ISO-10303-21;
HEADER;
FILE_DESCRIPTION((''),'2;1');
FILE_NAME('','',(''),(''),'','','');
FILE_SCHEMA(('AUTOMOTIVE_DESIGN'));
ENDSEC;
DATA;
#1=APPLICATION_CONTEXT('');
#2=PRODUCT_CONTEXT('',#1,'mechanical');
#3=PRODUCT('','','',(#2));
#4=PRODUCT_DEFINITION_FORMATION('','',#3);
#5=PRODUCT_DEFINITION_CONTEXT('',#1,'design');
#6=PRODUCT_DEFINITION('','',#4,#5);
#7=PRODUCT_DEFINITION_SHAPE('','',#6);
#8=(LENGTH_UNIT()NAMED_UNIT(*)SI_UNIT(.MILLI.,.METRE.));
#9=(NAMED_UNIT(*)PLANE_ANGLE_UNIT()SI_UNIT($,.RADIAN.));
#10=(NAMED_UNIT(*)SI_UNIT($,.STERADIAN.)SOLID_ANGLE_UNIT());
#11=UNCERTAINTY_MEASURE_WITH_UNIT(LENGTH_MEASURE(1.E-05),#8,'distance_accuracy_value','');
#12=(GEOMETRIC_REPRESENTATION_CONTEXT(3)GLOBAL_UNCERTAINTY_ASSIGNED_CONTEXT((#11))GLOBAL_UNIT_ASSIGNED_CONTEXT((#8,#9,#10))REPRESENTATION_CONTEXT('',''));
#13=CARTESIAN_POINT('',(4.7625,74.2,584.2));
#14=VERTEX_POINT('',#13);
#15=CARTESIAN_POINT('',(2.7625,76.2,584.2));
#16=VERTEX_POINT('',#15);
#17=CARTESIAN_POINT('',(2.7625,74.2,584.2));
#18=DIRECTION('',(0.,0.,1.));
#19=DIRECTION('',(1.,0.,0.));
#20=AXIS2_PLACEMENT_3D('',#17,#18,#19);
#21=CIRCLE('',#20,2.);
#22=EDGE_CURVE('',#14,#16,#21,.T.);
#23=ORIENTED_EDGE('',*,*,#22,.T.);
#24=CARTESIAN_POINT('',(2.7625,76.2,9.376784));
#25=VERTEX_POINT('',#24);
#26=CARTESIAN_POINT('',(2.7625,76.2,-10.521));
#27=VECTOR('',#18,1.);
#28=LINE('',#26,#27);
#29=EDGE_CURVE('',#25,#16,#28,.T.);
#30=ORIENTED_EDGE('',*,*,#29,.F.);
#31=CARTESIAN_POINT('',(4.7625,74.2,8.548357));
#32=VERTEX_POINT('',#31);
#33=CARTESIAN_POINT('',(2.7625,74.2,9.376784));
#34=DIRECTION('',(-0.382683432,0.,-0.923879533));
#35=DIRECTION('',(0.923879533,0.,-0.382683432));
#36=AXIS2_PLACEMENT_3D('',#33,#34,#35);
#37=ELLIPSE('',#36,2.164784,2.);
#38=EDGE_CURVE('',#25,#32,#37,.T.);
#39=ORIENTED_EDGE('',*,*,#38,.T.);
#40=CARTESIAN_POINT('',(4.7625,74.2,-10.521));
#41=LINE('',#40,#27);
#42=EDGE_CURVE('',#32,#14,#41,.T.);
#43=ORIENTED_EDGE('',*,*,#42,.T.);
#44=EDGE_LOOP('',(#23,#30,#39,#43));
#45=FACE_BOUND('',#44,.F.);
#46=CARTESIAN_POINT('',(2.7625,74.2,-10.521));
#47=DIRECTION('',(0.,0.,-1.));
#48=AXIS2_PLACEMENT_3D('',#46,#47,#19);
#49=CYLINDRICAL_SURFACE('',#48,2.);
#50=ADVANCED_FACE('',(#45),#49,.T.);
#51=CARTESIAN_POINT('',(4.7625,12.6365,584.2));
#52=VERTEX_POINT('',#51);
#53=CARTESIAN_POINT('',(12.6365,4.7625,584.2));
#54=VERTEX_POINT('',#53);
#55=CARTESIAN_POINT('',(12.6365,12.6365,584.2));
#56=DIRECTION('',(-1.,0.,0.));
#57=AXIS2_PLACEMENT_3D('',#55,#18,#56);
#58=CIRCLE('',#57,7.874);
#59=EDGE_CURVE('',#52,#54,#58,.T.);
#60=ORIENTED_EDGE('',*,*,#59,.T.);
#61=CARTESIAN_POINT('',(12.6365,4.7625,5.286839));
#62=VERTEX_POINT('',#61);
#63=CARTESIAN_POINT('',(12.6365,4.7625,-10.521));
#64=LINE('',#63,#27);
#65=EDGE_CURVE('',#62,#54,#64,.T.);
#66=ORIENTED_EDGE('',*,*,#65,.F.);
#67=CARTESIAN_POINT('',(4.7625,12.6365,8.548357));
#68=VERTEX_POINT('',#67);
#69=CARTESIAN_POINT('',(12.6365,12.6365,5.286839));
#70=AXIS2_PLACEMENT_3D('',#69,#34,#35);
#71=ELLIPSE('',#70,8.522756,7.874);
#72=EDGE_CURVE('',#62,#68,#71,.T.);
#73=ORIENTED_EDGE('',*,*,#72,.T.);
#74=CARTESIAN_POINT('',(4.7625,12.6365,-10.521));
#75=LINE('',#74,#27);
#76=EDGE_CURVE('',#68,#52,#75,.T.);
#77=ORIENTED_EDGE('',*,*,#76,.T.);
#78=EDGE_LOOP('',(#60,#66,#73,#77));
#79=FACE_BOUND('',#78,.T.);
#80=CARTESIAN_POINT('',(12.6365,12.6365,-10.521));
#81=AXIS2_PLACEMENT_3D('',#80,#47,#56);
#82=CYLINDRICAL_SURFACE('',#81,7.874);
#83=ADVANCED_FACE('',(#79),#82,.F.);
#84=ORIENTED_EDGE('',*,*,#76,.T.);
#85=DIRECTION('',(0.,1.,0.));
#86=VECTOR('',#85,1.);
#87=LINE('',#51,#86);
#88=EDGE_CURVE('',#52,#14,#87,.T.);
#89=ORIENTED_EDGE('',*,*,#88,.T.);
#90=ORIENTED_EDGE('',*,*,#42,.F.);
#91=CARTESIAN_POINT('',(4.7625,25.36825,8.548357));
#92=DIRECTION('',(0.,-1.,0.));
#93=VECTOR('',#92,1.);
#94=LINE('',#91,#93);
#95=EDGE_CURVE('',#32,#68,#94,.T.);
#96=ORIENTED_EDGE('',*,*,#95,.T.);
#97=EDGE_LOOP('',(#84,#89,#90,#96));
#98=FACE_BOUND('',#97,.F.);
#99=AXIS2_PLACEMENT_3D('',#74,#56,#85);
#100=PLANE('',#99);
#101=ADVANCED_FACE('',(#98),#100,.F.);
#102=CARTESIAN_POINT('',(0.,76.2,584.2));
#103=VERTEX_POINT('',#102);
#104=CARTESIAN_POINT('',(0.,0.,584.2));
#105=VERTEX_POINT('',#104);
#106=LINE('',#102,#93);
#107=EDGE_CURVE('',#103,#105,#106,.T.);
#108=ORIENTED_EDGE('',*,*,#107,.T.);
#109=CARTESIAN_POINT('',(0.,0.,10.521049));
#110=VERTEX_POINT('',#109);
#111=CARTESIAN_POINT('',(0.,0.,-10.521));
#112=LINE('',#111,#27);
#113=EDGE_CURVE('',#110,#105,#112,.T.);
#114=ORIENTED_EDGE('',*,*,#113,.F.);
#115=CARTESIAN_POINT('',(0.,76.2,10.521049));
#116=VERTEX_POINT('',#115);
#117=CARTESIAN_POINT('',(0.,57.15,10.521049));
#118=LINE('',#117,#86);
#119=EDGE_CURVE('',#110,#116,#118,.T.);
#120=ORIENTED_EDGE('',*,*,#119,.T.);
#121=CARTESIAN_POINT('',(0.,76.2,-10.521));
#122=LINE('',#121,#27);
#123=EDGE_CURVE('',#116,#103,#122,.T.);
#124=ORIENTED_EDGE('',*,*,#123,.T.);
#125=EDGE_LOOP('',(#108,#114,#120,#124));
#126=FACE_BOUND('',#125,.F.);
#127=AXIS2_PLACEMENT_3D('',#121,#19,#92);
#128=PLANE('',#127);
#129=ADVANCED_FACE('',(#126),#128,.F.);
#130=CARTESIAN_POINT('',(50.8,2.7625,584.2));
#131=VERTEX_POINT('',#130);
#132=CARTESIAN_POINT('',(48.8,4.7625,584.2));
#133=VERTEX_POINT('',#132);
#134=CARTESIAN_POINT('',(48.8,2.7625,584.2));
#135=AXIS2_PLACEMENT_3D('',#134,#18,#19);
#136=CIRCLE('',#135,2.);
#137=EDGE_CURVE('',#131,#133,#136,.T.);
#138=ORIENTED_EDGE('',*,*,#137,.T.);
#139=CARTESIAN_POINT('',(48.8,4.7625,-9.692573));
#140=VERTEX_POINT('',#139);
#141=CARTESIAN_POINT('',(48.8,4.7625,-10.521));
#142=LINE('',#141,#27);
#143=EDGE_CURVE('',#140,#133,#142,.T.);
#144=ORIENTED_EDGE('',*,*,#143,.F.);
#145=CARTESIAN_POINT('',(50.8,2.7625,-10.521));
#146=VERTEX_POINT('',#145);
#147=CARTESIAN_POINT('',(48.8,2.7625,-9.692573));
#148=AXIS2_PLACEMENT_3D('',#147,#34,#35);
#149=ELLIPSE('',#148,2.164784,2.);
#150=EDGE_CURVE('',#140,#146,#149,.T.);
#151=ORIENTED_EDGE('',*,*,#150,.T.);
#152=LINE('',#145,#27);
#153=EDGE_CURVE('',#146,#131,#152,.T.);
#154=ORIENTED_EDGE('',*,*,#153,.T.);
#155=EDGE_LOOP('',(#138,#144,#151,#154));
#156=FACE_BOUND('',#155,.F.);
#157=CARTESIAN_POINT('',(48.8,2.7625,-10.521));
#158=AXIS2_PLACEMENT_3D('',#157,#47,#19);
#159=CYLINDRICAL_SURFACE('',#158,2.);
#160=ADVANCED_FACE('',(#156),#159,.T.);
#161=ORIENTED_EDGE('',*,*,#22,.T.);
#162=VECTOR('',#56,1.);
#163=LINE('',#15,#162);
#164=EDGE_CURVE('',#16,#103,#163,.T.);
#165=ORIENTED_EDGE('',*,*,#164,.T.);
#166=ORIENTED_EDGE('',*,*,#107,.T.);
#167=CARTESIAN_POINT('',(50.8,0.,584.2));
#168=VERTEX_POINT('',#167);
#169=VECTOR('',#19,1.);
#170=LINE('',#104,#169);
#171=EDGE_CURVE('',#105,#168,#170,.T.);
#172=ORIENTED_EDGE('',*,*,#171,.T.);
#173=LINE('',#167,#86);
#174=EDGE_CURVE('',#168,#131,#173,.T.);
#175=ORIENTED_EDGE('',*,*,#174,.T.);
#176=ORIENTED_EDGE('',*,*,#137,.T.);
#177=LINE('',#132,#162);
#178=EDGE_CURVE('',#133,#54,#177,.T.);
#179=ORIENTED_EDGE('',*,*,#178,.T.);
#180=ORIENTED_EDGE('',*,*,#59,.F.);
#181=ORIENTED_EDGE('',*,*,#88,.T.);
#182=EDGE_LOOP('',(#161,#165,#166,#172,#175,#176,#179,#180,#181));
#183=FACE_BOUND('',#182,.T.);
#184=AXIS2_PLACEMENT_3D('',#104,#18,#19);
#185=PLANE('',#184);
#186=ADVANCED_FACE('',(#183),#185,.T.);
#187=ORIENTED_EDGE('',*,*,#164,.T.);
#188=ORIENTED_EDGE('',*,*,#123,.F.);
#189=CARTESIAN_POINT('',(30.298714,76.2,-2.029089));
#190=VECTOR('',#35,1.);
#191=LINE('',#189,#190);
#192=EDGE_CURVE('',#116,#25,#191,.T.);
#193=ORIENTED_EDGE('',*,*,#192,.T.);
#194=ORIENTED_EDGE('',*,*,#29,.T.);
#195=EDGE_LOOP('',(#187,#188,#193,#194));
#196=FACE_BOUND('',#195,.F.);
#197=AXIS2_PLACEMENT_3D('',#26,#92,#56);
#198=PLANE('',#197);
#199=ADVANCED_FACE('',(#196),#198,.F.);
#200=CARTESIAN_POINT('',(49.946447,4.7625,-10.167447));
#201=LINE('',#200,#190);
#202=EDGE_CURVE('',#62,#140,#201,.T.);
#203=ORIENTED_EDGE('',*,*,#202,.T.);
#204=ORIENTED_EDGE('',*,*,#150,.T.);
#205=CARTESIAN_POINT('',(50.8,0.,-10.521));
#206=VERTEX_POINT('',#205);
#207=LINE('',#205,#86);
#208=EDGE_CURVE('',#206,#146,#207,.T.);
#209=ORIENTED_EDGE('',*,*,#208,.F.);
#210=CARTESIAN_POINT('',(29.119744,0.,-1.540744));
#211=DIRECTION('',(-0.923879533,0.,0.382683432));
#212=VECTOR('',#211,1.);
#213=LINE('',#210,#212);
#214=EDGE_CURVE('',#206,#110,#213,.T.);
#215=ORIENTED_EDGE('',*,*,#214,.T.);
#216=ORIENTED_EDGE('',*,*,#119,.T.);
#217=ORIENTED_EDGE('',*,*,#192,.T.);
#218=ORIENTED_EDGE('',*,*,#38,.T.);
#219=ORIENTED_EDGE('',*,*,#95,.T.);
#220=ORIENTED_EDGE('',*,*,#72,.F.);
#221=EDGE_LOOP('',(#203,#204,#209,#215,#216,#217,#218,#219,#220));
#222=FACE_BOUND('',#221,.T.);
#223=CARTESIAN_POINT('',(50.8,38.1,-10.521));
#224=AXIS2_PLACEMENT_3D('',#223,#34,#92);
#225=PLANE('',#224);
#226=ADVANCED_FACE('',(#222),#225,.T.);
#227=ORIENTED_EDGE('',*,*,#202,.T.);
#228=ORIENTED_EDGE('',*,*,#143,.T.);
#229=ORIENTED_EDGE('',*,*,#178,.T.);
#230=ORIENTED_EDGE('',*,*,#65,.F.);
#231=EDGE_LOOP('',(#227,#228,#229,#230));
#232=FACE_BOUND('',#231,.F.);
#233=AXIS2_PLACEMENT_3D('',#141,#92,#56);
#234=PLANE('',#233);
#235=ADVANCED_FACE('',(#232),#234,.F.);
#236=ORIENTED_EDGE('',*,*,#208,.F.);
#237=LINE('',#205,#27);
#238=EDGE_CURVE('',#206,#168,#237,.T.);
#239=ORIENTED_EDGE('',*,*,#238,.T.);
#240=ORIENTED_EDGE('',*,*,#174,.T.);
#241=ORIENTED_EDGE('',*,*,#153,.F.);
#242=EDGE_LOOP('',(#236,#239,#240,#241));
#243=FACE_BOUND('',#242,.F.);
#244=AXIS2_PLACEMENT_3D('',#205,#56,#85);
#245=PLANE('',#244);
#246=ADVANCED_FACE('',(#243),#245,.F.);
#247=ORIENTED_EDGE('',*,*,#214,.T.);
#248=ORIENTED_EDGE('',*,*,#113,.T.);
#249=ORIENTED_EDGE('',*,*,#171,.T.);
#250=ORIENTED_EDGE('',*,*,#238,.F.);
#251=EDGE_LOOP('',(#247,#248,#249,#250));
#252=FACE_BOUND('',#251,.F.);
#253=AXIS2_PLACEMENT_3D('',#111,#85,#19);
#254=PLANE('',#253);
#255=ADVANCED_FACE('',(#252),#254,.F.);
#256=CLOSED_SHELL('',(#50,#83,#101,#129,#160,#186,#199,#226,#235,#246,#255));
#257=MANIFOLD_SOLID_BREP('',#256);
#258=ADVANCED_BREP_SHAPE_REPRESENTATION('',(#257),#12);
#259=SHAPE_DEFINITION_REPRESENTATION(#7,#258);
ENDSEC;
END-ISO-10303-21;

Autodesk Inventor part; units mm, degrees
ref_plane "Start plane" through (0, 0, -10.521) normal (0, 0, 1) x (1, 0, 0)
ref_plane "End plane" through (0, 0, 584.2) normal (0, 0, 1) x (1, 0, 0)
sketch "Sketch" plane through (0, 0, 0) normal (0, 0, 1) x (1, 0, 0)
  line L0 (0, 76.2) -> (0, 0)
  line L1 (0, 0) -> (50.8, 0)
  line L2 (50.8, 0) -> (50.8, 2.7625)
  line L3 (48.8, 4.7625) -> (12.6365, 4.7625)
  line L4 (4.7625, 12.6365) -> (4.7625, 74.2)
  line L5 (2.7625, 76.2) -> (0, 76.2)
  line L6 (-7.0414, 0) -> (21.5385, 0) construction
  line L7 (0, -8.0414) -> (0, 34.5385) construction
  arc A0 (4.7625, 12.6365) -> (12.6365, 4.7625) centre (12.6365, 12.6365) ccw
  arc A1 (50.8, 2.7625) -> (48.8, 4.7625) centre (48.8, 2.7625) ccw
  arc A2 (4.7625, 74.2) -> (2.7625, 76.2) centre (2.7625, 74.2) ccw
  line L8 (0, 93.5453) -> (0, -24.9725) construction
  line L9 (-18.6925, 0) -> (62.8653, 0) construction
  point P0 (50.8, 4.7625)
  point P1 (4.7625, 4.7625)
  point P2 (4.7625, 76.2)
  dimension "d12" = 4.7625
  dimension "d13" = 76.2
  dimension "d14" = 50.8
  dimension "d15" = 0
  dimension "d16" = 4.7625
  dimension "d17" = 0
  dimension "d18" = 7.874
  dimension "d19" = 2
extrude "Body" add sketch "Sketch" along normal up to surface (594.721 mm away) from surface at -10.521
sketch "Sketch3" plane through (0, 0, 0) normal (0, 0, 1) x (1, 0, 0)
  line L0 (0, 0) -> (10, 0)
ref_plane "Work Plane5" through (0, 0, 0) normal (0, -1, 0) x (1, 0, 0)
sketch "Sketch4" plane through (0, 0, 0) normal (0, -1, 0) x (1, 0, 0)
  line L0 (-2, -10.521) -> (12, -10.521)
  line L1 (-2, 584.2) -> (12, 584.2)
  dimension "d23" = 594.721
ref_plane "Work Plane3" through (50.8, 38.1, -10.521) normal (-0.3827, 0, -0.9239) x (-0.9239, 0, 0.3827)
split "Split1" plane through (50.8, 38.1, -10.521) removes the side toward (-0.3827, 0, -0.9239)
ref_plane "Work Plane4" through (130.175, 0, 584.2) normal (0, 0, 1) x (1, 0, 0)
split "Split2" plane through (130.175, 0, 584.2) removes the side toward (0, 0, 1)
equation "\"d12\" = G_T"
equation "\"d13\" = G_H"
equation "\"d14\" = G_W"
equation "\"d16\" = G_T"
equation "\"d18\" = G_IR"
equation "\"d4\" = G_L"
equation "\"G_W\" = 50.8"
equation "\"G_H\" = 76.2"
equation "\"G_T\" = 4.7625"
equation "\"G_ER\" = 4.064"
equation "\"G_IR\" = 7.874"
equation "\"G_L\" = d23"
equation "\"ex\" = 0"
equation "\"ey\" = 0"
equation "\"G_OFFSET_START\" = 10.52102"
equation "\"G_OFFSET_END\" = -25.4"
equation "\"d20\" = -G_OFFSET_START"
equation "\"d21\" = G_OFFSET_END + B_L"
equation "\"B_L\" = 609.6"
properties part number "ANSI L 3 x 2 x 3_16 00000003"
